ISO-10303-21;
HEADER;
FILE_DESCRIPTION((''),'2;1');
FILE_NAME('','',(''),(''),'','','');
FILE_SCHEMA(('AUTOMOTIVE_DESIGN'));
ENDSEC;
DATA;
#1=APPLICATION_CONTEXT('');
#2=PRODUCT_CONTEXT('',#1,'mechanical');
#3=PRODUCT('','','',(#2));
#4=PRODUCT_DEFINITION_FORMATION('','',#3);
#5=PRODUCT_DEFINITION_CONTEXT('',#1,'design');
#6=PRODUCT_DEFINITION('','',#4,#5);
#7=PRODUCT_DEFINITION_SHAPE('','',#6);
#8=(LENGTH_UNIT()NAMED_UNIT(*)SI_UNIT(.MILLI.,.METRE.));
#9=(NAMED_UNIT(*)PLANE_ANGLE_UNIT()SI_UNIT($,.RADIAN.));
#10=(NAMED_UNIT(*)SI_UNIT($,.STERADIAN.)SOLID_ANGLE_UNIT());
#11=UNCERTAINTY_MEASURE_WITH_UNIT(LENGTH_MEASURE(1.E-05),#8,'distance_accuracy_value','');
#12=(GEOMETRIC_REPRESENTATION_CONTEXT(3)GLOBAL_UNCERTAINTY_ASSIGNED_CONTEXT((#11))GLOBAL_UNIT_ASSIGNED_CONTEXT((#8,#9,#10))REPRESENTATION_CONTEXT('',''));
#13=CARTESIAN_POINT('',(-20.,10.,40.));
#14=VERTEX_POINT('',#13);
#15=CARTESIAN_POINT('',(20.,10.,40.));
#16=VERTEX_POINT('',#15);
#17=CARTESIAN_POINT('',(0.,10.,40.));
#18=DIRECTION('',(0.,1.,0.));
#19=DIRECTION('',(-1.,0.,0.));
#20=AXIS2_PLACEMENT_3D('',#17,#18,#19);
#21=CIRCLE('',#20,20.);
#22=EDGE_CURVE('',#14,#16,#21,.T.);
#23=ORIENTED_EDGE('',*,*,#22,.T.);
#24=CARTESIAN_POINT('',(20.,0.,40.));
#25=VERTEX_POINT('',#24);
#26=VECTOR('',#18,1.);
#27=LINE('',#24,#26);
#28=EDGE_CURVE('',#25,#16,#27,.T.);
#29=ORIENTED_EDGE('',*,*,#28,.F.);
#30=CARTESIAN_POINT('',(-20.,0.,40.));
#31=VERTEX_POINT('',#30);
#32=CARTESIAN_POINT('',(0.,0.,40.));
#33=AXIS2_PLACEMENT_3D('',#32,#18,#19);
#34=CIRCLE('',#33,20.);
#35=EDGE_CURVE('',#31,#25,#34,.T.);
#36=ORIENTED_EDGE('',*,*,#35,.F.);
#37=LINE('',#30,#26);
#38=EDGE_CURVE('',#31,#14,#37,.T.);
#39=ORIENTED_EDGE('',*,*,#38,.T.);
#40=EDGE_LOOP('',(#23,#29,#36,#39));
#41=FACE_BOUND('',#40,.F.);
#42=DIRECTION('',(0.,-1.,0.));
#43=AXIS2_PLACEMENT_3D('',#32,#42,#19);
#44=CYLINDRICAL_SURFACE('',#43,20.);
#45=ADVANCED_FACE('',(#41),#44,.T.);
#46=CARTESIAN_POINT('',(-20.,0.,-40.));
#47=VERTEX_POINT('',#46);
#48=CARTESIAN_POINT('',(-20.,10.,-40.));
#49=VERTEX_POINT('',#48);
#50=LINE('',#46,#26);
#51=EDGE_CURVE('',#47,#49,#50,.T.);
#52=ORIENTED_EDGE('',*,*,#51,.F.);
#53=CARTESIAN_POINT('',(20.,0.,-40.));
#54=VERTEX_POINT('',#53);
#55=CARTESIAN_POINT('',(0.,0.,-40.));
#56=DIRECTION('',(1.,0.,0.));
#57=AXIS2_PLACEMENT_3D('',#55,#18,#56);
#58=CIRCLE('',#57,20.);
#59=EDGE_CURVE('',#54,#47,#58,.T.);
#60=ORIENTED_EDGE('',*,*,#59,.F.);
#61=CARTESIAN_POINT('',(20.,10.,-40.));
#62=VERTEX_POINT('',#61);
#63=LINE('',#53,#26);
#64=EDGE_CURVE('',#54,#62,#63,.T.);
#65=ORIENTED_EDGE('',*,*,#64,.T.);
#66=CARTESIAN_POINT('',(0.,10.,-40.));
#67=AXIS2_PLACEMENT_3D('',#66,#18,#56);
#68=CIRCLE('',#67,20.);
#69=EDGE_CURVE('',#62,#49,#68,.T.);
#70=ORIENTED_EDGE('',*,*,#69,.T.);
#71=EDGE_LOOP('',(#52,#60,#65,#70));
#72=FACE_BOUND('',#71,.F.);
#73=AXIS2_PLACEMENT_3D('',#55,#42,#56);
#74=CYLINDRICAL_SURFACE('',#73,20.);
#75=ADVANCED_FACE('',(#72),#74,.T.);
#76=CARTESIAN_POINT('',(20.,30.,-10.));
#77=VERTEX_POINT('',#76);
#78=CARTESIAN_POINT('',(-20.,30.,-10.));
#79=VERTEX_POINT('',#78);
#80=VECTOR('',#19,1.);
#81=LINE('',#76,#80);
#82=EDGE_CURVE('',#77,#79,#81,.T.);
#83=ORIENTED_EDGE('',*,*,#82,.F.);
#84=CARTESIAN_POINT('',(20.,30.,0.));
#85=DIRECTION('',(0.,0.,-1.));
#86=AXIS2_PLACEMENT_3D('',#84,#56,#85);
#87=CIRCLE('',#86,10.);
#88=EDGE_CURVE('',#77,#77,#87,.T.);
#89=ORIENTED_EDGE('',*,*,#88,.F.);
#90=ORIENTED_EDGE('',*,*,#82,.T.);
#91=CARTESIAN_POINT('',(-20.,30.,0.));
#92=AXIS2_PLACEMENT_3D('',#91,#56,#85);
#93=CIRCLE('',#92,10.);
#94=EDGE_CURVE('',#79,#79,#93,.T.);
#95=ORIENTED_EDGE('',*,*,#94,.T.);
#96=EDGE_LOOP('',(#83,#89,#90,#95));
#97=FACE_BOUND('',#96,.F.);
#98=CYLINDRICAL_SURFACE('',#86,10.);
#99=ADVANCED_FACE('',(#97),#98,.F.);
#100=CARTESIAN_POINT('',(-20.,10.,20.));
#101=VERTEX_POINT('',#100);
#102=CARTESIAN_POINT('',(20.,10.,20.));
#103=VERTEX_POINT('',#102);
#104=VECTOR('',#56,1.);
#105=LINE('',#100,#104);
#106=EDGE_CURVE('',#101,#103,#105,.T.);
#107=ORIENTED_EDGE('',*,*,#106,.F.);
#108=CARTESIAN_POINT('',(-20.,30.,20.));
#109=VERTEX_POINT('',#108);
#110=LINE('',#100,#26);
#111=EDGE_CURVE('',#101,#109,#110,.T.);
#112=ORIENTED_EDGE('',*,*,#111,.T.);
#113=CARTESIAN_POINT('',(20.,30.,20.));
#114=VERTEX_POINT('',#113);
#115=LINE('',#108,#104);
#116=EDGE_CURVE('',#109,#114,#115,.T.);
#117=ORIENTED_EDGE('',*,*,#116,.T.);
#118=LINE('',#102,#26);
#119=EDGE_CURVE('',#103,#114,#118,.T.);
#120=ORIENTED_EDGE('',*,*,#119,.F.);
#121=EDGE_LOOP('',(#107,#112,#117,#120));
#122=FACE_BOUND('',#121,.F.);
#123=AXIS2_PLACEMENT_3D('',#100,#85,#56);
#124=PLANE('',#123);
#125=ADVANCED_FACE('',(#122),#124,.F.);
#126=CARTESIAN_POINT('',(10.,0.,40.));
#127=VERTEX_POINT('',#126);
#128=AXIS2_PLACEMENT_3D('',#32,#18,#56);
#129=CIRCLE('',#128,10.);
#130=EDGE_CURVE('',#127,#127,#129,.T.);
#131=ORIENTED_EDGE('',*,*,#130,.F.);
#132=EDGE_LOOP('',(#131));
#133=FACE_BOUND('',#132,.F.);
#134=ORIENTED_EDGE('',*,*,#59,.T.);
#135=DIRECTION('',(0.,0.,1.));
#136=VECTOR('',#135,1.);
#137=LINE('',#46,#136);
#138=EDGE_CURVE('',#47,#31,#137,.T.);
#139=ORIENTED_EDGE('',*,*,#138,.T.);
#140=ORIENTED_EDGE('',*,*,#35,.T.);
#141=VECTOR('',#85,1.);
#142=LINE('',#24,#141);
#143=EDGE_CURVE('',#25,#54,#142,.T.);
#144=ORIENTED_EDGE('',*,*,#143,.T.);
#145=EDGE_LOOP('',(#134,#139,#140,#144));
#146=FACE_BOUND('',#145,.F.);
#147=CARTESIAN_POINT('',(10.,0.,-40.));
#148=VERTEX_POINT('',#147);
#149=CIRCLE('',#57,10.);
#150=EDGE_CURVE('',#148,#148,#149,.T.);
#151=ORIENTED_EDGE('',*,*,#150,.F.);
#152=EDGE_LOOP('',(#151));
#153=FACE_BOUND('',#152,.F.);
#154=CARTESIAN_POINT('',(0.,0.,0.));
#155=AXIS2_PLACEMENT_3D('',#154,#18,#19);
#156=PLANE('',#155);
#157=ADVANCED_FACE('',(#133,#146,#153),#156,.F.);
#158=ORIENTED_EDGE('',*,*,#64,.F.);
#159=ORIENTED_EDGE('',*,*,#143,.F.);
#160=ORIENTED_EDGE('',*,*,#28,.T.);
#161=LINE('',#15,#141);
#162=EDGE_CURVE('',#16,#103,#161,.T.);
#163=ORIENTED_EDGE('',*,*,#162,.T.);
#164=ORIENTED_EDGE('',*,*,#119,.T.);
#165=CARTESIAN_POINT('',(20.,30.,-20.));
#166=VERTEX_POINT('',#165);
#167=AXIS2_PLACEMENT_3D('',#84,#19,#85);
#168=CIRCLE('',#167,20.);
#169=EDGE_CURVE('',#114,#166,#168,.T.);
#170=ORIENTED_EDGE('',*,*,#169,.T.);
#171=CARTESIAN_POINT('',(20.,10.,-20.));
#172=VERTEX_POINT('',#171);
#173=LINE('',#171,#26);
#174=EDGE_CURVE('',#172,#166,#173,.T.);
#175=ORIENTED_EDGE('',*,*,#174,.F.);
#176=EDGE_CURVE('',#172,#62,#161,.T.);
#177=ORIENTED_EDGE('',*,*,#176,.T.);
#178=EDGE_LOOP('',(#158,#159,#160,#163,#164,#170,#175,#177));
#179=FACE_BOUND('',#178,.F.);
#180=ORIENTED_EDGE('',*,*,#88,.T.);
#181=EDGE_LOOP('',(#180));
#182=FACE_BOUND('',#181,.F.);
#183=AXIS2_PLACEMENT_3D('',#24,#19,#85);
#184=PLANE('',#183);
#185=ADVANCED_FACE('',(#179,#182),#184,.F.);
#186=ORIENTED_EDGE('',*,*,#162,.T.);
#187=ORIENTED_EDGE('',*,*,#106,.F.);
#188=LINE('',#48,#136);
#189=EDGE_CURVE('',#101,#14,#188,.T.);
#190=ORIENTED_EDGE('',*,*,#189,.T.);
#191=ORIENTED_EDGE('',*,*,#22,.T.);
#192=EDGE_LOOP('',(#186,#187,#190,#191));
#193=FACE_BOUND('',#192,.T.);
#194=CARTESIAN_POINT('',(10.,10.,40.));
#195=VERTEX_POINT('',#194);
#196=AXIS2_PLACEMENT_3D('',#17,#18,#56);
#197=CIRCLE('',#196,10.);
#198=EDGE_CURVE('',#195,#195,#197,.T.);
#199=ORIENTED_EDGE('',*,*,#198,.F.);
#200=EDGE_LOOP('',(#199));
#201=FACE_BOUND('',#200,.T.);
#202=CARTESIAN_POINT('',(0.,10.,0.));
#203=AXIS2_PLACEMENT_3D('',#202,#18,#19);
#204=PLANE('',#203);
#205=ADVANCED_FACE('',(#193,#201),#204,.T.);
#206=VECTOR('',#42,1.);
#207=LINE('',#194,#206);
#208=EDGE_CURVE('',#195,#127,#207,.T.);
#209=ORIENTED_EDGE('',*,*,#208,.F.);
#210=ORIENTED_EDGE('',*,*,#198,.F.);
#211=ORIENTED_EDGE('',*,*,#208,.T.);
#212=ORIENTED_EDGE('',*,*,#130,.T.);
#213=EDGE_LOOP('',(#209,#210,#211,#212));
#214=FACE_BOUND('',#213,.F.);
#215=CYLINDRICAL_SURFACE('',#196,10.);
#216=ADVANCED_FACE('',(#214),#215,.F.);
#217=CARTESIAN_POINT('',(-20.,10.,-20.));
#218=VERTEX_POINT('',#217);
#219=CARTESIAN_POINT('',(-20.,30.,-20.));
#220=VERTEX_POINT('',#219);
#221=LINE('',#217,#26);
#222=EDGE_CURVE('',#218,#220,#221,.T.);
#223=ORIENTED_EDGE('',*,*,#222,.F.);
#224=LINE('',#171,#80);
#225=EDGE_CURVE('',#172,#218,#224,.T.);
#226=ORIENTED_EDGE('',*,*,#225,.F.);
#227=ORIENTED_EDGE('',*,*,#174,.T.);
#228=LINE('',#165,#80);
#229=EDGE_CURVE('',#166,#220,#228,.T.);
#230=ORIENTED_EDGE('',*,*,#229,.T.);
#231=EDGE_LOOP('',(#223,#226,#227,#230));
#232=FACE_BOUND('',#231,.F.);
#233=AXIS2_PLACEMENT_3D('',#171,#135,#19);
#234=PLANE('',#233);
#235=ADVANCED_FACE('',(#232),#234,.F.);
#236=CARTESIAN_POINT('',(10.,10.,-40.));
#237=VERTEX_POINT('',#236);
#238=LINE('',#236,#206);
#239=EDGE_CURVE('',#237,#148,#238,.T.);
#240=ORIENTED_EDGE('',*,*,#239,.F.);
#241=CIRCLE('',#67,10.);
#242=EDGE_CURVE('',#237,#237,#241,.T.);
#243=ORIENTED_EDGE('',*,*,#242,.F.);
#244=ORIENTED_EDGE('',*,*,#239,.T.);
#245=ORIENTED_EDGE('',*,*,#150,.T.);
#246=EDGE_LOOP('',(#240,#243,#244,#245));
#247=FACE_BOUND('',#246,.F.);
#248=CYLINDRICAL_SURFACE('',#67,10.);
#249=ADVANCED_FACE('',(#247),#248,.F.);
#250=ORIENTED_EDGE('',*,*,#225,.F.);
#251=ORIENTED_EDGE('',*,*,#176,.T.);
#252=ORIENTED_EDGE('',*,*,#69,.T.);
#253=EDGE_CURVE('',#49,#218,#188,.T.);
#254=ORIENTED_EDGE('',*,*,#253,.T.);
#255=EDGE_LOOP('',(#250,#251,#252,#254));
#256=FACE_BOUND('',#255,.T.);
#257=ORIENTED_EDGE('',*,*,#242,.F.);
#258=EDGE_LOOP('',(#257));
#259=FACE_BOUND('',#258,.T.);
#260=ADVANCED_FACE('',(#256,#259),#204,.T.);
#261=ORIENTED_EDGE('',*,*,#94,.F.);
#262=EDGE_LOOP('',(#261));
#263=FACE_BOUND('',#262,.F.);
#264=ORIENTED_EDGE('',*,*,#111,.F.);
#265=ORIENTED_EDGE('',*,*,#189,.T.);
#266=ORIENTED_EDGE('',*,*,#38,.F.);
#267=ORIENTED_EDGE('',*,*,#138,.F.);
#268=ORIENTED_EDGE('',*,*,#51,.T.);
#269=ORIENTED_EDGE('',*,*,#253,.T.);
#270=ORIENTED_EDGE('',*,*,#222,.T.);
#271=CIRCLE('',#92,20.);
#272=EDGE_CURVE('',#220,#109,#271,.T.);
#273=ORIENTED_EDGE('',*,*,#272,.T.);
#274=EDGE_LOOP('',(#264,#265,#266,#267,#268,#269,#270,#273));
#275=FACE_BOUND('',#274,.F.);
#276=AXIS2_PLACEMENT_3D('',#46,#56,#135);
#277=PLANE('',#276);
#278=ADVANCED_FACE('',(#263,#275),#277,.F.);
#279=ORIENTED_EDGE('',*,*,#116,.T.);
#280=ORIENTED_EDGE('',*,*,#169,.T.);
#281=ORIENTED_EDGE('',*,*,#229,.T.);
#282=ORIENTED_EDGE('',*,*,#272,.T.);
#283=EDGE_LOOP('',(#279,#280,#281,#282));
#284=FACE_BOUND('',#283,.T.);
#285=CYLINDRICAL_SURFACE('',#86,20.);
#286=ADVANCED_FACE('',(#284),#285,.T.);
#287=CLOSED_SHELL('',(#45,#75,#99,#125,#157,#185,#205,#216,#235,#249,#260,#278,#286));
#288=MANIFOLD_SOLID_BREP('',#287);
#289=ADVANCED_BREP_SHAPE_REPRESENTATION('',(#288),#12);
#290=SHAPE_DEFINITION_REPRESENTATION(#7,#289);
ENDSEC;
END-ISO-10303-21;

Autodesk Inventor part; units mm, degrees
ref_plane "YZ Plane" through (0, 0, 0) normal (1, 0, 0) x (0, 1, 0)
ref_plane "XZ Plane" through (0, 0, 0) normal (0, 1, 0) x (-1, 0, 0)
ref_plane "XY Plane" through (0, 0, 0) normal (0, 0, 1) x (1, 0, 0)
sketch "Sketch1" plane through (0, 0, 0) normal (0, 1, 0) x (-1, 0, 0)
  line L0 (0, 40) -> (0, -40) construction
  line L1 (-20, 40) -> (-20, -40)
  line L2 (20, -40) -> (20, 40)
  arc A0 (20, 40) -> (-20, 40) centre (0, 40) ccw
  arc A1 (-20, -40) -> (20, -40) centre (0, -40) ccw
  point P0 (0, 0)
  dimension "d0" = 40
  dimension "d1" = 40
extrude "Extrusion1" add sketch "Sketch1" along normal blind 10
sketch "Sketch2" plane through (0, 10, 0) normal (0, 1, 0) x (1, 0, 0)
  line L0 (20, -40) -> (20, 40) projected
  line L1 (-20, -20) -> (20, -20)
  line L2 (20, -20) -> (20, 20)
  line L3 (20, 20) -> (-20, 20)
  line L4 (-20, 20) -> (-20, -20)
  line L5 (-20, -20) -> (20, 20) construction
  line L6 (20, -20) -> (-20, 20) construction
  point P0 (0, 0)
extrude "Extrusion2" add sketch "Sketch2" along normal blind 20
sketch "Sketch3" plane through (20, 0, 40) normal (1, 0, 0) x (0, 0, -1)
  line L0 (20, 30) -> (60, 30) projected
  circle A0 centre (40, 30) radius 20
  point P0 (40, 0)
extrude "Extrusion3" add sketch "Sketch3" against normal blind 40
sketch "Sketch4" plane through (0, 10, 0) normal (0, 1, 0) x (1, 0, 0)
  arc A0 (-20, -40) -> (20, -40) centre (0, -40) ccw projected
  circle A1 centre (0, -40) radius 10
  arc A2 (20, 40) -> (-20, 40) centre (0, 40) ccw projected
  circle A3 centre (0, 40) radius 10
  point P0 (0, 0)
  dimension "d9" = 20
  dimension "d10" = 20
extrude "Extrusion4" cut sketch "Sketch4" against normal blind 10 contours A1
sketch "Sketch5" plane through (0, 10, 0) normal (0, 1, 0) x (1, 0, 0)
  arc A0 (20, 40) -> (-20, 40) centre (0, 40) ccw projected
  circle A1 centre (0, 40) radius 10
  point P0 (0, 0)
  dimension "d13" = 20
extrude "Extrusion5" cut sketch "Sketch5" against normal blind 10
sketch "Sketch6" plane through (20, 0, 40) normal (1, 0, 0) x (0, 0, -1)
  arc A0 (60, 30) -> (20, 30) centre (40, 30) ccw projected
  circle A1 centre (40, 30) radius 10
  point P0 (40, 0)
  dimension "d16" = 20
extrude "Extrusion6" cut sketch "Sketch6" against normal blind 40
properties part number "Tarea 1 - Melany Escobar"
